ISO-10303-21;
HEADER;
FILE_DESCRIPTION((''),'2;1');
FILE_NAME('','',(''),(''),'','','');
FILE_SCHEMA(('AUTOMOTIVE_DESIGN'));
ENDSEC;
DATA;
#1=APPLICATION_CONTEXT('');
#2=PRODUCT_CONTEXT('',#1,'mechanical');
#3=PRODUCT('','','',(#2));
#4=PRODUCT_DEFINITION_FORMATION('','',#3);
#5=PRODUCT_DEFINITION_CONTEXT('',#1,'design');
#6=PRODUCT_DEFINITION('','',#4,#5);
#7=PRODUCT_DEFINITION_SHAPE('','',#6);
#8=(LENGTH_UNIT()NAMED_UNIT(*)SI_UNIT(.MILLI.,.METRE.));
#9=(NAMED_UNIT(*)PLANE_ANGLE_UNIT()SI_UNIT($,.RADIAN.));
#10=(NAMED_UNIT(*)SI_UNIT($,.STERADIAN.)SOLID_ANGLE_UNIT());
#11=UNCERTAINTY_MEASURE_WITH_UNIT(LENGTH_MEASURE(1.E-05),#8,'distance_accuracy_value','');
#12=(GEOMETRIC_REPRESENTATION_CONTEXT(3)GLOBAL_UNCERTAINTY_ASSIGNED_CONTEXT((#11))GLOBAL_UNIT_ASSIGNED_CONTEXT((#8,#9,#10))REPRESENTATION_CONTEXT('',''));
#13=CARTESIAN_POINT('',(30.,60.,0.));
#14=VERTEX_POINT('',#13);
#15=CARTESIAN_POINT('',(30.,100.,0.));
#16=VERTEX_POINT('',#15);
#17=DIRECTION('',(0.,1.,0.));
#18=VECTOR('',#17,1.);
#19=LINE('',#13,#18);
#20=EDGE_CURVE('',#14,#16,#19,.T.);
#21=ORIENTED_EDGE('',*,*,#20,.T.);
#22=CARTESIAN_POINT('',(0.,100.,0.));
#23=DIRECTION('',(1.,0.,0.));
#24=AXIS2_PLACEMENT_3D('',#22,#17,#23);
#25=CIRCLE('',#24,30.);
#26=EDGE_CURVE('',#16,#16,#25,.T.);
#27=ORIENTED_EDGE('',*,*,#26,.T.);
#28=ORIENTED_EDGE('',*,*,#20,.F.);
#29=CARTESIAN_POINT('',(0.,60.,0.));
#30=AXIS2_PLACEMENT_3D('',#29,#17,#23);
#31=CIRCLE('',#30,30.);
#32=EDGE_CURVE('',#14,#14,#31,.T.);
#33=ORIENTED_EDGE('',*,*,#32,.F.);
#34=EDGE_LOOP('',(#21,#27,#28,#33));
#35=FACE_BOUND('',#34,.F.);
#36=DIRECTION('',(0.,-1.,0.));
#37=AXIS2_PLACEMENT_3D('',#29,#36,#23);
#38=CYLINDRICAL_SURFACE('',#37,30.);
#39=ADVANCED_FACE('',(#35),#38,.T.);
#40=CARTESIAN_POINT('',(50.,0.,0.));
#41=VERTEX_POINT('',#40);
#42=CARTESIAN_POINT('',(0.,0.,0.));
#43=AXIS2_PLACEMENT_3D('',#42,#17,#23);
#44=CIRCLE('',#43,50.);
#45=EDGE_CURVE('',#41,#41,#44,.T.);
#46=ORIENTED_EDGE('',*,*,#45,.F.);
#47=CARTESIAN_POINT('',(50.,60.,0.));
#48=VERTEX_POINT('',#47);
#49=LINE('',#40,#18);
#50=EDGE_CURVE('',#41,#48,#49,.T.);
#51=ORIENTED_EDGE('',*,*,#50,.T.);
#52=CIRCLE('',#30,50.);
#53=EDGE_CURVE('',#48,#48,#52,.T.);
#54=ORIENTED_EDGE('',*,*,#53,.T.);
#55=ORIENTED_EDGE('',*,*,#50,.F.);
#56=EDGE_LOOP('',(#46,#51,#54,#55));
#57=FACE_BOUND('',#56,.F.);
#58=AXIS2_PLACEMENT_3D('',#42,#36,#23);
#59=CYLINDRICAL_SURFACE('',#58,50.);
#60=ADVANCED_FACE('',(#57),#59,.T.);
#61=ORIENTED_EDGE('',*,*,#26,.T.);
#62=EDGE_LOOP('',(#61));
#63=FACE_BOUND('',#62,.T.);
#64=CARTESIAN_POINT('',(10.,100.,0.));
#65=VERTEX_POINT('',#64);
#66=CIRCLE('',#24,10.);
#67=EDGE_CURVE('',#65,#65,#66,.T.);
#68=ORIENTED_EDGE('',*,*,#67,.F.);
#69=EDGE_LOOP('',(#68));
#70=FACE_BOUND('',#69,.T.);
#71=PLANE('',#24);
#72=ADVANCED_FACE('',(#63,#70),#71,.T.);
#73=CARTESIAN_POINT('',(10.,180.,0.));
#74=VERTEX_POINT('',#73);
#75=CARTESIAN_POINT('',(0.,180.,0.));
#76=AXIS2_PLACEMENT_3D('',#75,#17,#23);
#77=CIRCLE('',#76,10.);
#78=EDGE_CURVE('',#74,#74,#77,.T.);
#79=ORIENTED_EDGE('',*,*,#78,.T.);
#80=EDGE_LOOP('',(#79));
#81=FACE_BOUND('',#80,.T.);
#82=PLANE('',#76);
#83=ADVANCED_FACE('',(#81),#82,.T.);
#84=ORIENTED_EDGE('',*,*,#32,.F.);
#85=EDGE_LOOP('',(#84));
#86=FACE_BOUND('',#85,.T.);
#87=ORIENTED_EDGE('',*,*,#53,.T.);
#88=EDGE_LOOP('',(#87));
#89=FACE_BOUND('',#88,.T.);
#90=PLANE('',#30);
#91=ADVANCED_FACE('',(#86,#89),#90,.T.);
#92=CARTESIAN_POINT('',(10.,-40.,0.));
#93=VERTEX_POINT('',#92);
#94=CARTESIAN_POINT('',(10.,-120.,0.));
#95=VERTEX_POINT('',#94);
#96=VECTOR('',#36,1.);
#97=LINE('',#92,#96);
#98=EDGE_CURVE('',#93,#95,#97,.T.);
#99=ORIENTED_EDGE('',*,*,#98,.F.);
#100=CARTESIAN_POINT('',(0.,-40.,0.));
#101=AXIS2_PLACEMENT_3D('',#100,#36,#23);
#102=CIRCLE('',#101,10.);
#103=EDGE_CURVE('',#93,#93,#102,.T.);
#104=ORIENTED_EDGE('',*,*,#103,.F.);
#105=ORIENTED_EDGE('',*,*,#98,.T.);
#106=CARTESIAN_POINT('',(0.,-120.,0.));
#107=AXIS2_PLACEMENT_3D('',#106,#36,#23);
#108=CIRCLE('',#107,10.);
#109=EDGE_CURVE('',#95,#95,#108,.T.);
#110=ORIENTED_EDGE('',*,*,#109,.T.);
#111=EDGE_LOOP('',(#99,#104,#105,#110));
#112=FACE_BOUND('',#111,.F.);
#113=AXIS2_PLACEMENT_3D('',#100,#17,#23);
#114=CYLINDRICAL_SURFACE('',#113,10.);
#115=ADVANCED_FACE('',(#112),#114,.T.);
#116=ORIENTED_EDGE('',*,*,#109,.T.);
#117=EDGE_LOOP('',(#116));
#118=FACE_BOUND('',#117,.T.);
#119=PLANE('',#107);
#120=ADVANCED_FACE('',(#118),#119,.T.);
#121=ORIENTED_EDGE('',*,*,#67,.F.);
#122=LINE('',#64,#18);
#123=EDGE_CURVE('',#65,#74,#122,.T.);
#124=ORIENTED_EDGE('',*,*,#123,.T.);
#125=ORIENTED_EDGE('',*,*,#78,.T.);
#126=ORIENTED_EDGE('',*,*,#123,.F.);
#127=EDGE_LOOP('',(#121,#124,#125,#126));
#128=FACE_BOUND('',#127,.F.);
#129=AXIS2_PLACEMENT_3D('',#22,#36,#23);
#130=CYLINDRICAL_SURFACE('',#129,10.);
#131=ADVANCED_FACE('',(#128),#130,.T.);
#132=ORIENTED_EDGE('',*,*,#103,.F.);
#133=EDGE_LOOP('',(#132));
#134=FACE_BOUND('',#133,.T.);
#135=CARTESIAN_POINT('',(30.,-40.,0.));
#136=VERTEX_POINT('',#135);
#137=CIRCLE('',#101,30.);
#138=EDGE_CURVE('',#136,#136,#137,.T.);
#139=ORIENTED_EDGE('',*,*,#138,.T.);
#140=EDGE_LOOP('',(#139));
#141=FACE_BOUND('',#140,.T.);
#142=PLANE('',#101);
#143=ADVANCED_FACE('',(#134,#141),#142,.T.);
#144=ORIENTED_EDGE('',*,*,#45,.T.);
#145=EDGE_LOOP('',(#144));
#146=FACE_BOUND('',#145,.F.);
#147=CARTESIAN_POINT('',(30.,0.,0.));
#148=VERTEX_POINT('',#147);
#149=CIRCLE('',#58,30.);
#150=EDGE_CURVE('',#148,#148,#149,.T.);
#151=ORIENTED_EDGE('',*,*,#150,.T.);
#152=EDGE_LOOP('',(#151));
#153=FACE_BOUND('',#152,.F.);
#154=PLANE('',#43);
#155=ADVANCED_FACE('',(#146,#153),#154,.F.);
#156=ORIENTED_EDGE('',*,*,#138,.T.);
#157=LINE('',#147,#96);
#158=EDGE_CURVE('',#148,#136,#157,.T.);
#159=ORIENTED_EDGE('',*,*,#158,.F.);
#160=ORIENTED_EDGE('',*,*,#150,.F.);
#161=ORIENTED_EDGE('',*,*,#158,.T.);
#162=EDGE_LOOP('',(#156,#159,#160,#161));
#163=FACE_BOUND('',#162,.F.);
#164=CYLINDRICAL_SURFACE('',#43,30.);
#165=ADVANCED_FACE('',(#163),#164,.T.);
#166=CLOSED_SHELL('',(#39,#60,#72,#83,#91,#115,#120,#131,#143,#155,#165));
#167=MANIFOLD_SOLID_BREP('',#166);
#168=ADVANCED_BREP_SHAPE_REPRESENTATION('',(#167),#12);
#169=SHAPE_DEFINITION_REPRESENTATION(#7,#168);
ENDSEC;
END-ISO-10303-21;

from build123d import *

# Parameters (mm, degrees)
SKETCH2_R           = 50
BOSS_EXTRUDE1_DEPTH = 60
SKETCH3_R           = 30
BOSS_EXTRUDE2_DEPTH = 40
SKETCH4_R           = 10
BOSS_EXTRUDE3_DEPTH = 80
SKETCH5_R           = 30
BOSS_EXTRUDE4_DEPTH = 40
SKETCH6_R           = 10
BOSS_EXTRUDE5_DEPTH = 80


with BuildPart() as part:
    # Sketch2 → Boss-Extrude1 (new body)
    with BuildSketch(Plane(origin=(0, 0, 0), x_dir=(1, 0, 0), z_dir=(0, 1, 0))):
        Circle(SKETCH2_R)
    extrude(amount=BOSS_EXTRUDE1_DEPTH)

    # Sketch3 → Boss-Extrude2 (add)
    with BuildSketch(Plane(origin=(0, 60, 0), x_dir=(1, 0, 0), z_dir=(0, 1, 0))):
        Circle(SKETCH3_R)
    extrude(amount=BOSS_EXTRUDE2_DEPTH)

    # Sketch4 → Boss-Extrude3 (add)
    with BuildSketch(Plane(origin=(0, 100, 0), x_dir=(1, 0, 0), z_dir=(0, 1, 0))):
        Circle(SKETCH4_R)
    extrude(amount=BOSS_EXTRUDE3_DEPTH)

    # Sketch5 → Boss-Extrude4 (add)
    with BuildSketch(Plane.XZ):
        Circle(SKETCH5_R)
    extrude(amount=BOSS_EXTRUDE4_DEPTH)

    # Sketch6 → Boss-Extrude5 (add)
    with BuildSketch(Plane.XZ.offset(40)):
        Circle(SKETCH6_R)
    extrude(amount=BOSS_EXTRUDE5_DEPTH)


solid = part.part
